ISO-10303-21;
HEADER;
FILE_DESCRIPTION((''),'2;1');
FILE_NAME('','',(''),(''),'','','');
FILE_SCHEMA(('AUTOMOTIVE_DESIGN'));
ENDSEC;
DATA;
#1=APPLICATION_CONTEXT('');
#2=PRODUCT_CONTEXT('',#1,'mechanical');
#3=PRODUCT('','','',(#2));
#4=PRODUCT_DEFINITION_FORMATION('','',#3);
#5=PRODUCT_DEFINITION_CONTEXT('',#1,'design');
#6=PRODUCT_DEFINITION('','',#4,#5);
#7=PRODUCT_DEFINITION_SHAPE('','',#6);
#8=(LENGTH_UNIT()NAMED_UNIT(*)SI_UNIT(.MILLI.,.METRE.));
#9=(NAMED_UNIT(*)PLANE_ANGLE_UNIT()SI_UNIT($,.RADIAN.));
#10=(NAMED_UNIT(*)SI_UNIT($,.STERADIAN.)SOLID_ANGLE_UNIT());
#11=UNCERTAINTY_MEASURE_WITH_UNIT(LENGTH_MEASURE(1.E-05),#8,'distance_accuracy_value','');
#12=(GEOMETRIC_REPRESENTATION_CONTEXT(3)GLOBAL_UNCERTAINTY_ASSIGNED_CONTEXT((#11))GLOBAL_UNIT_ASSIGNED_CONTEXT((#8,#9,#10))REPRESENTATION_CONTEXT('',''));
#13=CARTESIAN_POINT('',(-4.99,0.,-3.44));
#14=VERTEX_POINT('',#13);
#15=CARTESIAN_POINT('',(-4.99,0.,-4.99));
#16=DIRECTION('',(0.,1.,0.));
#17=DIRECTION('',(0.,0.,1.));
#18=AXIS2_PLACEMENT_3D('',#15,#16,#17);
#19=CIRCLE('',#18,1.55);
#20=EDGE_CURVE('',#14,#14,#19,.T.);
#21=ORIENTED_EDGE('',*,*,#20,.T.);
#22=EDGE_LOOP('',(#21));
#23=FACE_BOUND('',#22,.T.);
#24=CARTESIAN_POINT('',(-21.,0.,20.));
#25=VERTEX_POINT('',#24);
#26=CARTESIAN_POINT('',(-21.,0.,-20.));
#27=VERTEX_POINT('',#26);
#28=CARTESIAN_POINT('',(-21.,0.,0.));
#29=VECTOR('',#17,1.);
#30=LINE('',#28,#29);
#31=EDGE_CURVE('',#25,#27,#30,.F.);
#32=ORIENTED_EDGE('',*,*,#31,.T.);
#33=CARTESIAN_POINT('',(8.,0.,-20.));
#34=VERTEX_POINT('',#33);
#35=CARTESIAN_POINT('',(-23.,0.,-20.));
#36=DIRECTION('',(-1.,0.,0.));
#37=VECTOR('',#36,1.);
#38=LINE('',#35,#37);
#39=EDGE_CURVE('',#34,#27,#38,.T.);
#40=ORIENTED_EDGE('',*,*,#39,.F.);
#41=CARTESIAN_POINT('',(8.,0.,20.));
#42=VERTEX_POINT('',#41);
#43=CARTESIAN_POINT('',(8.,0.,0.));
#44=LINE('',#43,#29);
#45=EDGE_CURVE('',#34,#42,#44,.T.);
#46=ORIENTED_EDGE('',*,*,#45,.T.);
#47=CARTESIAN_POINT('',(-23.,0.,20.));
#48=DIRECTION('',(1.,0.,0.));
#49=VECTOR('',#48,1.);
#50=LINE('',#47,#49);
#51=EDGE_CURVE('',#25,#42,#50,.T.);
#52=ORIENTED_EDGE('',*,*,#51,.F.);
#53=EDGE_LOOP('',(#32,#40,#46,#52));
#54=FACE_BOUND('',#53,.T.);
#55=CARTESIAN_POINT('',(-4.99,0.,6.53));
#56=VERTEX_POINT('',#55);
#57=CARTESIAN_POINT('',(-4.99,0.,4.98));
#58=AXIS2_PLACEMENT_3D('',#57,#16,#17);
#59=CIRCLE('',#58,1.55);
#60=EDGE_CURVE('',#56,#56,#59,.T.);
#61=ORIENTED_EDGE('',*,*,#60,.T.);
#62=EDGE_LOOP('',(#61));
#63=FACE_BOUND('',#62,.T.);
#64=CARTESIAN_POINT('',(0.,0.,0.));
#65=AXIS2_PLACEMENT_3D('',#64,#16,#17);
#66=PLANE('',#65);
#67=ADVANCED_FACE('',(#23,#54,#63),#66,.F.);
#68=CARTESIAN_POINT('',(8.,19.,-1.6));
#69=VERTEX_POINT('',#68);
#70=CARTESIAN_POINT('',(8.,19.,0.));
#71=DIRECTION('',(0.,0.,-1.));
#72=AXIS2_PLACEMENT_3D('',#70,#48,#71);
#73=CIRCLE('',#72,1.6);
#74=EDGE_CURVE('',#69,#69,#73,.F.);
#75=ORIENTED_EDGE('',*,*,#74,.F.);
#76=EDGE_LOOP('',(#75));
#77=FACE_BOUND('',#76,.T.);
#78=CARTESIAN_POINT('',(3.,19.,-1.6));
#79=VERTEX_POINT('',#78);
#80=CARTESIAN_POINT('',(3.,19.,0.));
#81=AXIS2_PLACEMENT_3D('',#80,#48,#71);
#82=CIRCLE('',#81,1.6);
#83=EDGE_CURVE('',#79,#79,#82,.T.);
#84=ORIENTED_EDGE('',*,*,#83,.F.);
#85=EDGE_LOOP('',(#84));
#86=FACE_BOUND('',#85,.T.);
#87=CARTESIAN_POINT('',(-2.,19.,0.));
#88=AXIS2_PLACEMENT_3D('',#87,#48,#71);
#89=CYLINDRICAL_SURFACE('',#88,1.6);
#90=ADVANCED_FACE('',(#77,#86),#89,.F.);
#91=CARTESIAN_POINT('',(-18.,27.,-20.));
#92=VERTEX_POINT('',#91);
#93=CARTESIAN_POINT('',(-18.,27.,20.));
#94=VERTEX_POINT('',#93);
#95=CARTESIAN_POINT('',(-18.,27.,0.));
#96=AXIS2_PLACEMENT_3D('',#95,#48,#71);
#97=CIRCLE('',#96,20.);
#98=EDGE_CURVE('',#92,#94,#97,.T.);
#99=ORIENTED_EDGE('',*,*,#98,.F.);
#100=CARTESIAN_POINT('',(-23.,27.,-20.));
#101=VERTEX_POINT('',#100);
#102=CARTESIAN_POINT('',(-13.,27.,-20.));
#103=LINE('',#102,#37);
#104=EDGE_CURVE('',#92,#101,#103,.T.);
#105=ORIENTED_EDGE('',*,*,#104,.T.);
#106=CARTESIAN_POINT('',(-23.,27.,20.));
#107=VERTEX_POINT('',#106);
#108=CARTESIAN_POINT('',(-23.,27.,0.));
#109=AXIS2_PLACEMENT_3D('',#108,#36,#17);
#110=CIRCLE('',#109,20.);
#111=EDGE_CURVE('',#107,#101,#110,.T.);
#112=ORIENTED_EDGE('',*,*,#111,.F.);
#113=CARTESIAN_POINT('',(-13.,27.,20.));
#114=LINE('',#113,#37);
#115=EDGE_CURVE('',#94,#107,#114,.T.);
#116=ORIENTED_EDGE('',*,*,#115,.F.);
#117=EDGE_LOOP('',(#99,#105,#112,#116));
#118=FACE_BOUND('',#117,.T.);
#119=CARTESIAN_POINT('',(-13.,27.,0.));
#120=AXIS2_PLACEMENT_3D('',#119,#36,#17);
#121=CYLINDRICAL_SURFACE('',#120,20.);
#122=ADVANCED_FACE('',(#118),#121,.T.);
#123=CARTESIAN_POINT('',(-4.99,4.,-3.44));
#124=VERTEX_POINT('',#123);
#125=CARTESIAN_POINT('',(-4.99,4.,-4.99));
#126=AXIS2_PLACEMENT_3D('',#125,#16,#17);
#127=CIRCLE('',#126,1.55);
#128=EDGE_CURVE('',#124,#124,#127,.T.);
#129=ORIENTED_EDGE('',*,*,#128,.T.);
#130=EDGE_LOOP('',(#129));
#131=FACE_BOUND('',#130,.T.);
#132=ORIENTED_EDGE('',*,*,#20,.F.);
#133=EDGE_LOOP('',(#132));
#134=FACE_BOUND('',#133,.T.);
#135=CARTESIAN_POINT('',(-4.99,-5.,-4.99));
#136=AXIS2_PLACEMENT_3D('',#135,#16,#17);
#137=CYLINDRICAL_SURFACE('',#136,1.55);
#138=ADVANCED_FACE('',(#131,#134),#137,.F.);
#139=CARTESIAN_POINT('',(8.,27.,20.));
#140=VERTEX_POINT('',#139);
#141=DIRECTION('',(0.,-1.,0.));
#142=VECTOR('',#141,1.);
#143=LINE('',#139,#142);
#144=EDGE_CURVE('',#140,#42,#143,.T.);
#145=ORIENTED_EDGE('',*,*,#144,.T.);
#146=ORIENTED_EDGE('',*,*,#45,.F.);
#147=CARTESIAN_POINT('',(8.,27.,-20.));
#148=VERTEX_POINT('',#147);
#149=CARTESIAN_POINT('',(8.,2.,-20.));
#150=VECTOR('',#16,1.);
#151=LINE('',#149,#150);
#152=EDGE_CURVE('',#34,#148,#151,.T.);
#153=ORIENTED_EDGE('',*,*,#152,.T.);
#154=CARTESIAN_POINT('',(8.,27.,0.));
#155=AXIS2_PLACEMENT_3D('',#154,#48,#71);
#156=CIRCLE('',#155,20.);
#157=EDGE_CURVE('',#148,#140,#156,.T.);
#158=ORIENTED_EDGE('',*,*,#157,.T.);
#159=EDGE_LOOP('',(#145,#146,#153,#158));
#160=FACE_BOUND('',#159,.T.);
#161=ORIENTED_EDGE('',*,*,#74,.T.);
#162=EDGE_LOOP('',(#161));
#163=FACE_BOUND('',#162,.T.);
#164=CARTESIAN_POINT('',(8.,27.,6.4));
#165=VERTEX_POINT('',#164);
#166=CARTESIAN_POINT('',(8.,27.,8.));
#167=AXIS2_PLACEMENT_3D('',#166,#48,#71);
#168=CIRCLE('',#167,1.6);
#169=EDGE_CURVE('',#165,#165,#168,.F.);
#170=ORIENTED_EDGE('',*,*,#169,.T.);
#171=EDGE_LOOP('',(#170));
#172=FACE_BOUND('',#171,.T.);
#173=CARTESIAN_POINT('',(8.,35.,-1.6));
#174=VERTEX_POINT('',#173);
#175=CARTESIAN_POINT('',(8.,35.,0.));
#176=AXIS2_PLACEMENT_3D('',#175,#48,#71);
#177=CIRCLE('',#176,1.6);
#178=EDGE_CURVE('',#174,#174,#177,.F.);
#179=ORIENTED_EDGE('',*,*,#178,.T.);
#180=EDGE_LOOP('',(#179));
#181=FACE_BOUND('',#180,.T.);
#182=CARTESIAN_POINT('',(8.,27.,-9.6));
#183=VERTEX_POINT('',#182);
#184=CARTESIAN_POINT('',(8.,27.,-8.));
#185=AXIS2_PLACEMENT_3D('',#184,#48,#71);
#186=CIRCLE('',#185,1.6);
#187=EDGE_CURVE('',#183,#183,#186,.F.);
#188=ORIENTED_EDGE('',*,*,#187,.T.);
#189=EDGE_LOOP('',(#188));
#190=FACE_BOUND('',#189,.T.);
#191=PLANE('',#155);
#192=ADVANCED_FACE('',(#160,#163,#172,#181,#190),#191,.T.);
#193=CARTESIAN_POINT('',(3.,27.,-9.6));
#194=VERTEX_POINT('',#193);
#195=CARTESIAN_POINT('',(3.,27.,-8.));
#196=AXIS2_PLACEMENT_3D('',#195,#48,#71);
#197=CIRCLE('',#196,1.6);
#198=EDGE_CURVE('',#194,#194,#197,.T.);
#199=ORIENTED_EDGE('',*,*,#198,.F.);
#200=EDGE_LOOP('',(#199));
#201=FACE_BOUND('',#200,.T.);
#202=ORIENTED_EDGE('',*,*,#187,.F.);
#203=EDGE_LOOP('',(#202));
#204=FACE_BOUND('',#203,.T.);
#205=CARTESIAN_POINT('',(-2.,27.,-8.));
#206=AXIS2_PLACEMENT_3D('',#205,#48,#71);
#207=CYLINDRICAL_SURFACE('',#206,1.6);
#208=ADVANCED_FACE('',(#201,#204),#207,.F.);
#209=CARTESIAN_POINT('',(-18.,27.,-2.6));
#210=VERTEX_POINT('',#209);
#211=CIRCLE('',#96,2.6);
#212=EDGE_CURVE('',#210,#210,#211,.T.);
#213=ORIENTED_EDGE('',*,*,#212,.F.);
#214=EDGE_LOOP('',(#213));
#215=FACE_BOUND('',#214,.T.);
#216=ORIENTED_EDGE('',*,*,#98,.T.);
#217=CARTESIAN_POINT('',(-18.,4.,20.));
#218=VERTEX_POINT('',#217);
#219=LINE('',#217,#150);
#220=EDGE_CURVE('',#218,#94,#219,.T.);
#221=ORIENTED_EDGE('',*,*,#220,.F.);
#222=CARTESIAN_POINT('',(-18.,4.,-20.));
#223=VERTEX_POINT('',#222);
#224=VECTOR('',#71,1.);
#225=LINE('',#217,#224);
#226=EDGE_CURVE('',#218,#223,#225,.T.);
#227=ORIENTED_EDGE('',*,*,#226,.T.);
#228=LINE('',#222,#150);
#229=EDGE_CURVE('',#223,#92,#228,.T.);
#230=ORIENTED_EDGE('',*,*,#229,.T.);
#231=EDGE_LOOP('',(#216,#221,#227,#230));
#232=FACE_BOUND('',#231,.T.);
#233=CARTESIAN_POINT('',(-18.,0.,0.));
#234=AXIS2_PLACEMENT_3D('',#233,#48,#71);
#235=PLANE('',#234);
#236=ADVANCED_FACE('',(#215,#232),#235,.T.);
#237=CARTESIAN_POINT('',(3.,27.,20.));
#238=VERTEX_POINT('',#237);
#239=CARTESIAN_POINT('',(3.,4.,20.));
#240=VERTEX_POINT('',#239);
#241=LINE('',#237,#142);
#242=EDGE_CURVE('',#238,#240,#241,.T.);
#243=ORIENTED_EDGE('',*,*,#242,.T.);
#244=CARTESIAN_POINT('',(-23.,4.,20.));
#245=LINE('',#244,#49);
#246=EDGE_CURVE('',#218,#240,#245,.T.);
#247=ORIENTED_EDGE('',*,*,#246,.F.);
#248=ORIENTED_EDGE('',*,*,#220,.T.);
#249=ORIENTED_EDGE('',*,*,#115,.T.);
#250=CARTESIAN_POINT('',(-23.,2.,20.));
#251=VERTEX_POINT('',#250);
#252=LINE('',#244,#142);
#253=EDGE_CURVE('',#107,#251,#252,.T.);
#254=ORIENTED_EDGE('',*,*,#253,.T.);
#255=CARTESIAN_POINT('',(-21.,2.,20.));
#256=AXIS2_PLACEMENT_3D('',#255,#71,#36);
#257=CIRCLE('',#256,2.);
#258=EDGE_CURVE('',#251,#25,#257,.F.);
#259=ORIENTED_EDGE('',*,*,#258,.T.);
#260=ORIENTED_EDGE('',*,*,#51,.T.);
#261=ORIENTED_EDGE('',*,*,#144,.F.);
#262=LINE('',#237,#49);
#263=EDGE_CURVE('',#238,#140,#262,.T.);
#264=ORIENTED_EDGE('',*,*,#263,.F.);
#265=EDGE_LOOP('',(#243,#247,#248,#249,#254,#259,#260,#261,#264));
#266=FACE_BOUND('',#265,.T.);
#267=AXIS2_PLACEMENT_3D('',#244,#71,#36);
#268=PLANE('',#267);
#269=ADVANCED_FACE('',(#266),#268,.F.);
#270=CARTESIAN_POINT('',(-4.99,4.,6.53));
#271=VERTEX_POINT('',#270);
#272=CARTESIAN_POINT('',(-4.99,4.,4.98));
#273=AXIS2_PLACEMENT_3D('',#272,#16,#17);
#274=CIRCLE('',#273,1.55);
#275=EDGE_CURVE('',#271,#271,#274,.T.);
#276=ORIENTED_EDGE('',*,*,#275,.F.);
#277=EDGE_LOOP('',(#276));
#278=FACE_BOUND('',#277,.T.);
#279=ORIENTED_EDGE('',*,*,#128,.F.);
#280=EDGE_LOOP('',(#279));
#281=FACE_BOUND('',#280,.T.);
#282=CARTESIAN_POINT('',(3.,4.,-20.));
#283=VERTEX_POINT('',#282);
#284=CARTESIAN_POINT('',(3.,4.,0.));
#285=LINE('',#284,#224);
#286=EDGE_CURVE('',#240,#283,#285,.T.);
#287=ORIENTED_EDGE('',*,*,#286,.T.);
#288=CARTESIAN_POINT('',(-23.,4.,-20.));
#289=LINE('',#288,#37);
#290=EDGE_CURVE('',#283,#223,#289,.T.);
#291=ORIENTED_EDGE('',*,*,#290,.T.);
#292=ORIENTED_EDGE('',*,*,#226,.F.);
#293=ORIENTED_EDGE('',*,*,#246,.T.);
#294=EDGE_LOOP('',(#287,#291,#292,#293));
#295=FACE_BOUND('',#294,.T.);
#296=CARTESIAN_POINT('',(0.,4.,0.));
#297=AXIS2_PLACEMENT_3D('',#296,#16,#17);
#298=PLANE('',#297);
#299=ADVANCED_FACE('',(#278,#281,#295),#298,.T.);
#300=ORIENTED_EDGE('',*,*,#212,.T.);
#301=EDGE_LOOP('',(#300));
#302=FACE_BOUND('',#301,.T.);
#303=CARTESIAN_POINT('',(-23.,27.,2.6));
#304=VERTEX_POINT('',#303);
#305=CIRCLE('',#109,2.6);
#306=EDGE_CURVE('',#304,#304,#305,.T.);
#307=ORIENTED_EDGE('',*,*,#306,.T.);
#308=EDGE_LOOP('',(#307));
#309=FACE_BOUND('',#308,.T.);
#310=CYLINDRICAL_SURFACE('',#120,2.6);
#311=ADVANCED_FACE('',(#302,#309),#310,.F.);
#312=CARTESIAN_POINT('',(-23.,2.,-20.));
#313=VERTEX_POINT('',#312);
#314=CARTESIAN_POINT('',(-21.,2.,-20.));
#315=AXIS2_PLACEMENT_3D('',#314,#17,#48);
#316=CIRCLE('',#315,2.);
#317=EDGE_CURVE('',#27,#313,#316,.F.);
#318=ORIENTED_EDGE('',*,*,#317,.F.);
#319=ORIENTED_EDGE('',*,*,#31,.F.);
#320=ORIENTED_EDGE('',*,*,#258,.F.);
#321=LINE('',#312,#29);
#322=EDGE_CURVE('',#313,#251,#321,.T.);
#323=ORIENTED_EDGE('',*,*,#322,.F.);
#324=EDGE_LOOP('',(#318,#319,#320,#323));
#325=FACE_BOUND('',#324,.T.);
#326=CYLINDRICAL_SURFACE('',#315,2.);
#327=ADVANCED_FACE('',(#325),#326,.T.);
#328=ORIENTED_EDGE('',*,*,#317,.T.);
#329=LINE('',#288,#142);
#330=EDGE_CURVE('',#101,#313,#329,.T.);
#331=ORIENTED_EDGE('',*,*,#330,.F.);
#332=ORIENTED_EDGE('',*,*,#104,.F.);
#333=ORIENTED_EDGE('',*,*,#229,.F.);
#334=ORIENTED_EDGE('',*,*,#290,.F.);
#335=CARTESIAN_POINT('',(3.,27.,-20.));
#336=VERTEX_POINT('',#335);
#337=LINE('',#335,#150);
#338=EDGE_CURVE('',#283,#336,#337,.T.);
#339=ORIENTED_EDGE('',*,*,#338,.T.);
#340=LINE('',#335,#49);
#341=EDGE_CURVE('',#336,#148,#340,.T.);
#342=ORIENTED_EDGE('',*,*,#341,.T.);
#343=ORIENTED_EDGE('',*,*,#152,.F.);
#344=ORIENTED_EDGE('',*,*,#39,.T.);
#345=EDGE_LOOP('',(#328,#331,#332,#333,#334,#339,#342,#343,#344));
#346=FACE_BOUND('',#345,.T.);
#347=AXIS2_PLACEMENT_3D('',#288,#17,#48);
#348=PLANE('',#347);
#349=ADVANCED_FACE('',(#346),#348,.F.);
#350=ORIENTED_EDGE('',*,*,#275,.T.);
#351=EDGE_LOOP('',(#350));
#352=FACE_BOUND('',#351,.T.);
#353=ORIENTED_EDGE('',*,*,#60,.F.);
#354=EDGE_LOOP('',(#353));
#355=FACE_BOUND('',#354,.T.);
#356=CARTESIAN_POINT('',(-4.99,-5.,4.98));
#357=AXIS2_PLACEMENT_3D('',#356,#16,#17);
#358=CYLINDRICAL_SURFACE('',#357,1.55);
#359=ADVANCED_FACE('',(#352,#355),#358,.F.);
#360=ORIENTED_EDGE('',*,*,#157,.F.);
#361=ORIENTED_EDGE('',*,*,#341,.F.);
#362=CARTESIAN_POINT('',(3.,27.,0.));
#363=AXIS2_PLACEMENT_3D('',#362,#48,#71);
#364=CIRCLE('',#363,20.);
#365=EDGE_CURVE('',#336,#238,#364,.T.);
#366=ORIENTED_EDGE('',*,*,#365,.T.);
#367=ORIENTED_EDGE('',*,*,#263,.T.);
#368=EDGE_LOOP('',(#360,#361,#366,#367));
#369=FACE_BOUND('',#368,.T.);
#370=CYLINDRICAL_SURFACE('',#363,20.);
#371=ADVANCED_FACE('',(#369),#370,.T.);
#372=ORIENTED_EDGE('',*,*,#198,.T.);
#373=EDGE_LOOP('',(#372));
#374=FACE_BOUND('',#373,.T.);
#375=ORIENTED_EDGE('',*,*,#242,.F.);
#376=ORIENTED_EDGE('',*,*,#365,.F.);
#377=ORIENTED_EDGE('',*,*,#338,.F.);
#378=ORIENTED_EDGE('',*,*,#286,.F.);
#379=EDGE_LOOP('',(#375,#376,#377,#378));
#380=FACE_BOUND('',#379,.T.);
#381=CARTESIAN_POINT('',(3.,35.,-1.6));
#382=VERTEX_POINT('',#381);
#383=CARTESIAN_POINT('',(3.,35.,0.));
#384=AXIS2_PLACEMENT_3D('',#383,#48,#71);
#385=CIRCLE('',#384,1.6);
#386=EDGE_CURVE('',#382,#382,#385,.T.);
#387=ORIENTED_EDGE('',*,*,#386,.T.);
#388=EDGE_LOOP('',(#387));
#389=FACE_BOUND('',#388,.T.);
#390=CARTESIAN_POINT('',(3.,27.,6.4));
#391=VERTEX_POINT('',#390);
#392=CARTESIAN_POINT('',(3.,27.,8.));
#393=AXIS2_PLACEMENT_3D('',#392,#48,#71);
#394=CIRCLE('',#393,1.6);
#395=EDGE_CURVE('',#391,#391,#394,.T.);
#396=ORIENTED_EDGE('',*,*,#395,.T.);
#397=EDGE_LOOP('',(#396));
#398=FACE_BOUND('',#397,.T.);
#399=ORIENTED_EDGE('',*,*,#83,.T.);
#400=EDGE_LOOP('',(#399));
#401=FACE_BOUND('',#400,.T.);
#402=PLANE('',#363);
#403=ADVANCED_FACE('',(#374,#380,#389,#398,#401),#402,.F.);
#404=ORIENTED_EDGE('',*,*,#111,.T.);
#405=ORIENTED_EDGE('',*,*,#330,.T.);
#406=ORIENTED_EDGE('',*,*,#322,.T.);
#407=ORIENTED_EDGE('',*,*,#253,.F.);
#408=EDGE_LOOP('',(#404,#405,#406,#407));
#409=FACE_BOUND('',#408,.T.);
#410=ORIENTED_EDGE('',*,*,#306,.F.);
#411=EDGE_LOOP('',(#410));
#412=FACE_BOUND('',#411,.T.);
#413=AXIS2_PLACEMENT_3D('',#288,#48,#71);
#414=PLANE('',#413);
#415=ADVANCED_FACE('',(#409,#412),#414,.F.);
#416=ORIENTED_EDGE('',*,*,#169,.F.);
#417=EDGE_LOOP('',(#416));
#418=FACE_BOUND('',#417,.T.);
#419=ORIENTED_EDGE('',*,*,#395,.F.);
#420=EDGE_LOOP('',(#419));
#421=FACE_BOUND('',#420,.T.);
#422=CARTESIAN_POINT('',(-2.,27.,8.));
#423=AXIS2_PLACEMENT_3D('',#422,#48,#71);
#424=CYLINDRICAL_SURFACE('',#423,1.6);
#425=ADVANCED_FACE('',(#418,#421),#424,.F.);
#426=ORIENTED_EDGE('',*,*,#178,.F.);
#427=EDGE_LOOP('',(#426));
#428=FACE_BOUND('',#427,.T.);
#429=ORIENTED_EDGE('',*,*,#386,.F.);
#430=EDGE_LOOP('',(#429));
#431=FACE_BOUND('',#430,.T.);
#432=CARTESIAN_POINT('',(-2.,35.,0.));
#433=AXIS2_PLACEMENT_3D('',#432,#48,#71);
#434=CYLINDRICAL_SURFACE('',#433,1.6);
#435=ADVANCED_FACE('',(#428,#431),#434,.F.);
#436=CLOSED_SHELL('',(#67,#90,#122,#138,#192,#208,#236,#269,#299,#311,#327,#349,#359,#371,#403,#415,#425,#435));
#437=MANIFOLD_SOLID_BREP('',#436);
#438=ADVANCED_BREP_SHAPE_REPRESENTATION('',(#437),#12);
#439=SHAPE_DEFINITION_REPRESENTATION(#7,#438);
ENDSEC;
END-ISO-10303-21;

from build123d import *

# Parameters (mm, degrees)
SKETCH1_W             = 46
SKETCH1_H             = 40
BOSS_EXTRUDE1_DEPTH   = 4
SKETCH2_W             = 40
SKETCH2_H             = 45
BOSS_EXTRUDE2_DEPTH   = 5
BOSS_EXTRUDE3_DEPTH   = 20
SKETCH6_R             = 2.9
SKETCH6_R_2           = 1.55
SKETCH6_R_3           = 1.4
CUT_EXTRUDE2_DEPTH    = 9
FILLET1_R             = 2
FILLET2_R             = 2
CUT_EXTRUDE4_START    = -10
CUT_EXTRUDE4_DEPTH    = 10
SKETCH12_W            = 5
SKETCH12_H            = 40
CUT_EXTRUDE5_DEPTH    = 45
IZIM1_R               = 1.6
KES_EKSTR_ZYON1_DEPTH = 25
IZIM2_R               = 2.6
KES_EKSTR_ZYON2_DEPTH = 10
CUT_EXTRUDE11_DEPTH   = 15
SKETCH19_W            = 15
SKETCH19_H            = 40
CUT_EXTRUDE12_DEPTH   = 15
SKETCH20_R            = 1.4
SKETCH20_R_2          = 2.9
BOSS_EXTRUDE4_DEPTH   = 4


with BuildPart() as part:
    # Sketch1 → Boss-Extrude1 (new body)
    with BuildSketch(Plane(origin=(0, 0, 0), x_dir=(1, 0, 0), z_dir=(0, 1, 0))):
        Rectangle(SKETCH1_W, SKETCH1_H)
    extrude(amount=BOSS_EXTRUDE1_DEPTH)

    # Sketch2 → Boss-Extrude2 (add)
    with BuildSketch(Plane.ZY.offset(23)):
        with Locations((0, 26.5)):
            Rectangle(SKETCH2_W, SKETCH2_H)
    extrude(amount=-BOSS_EXTRUDE2_DEPTH)

    # Sketch3 → Boss-Extrude3 (add)
    with BuildSketch(Plane(origin=(23, 0, 0), x_dir=(0, 0, -1), z_dir=(1, 0, 0))):
        with BuildLine():
            Line((-20, 27), (-20, 2))
            Line((-20, 2), (20, 2))
            Line((20, 2), (20, 27))
            ThreePointArc((20, 27), (0, 47), (-20, 27))
        make_face()
    extrude(amount=-BOSS_EXTRUDE3_DEPTH)

    # Sketch6 → Cut-Extrude2 (cut)
    with BuildSketch(Plane(origin=(0, 4, 0), x_dir=(1, 0, 0), z_dir=(0, 1, 0))):
        with Locations(Location((0, 0, 0), (0, 0, 270))):
            Circle(SKETCH6_R)
        with Locations(Location((-4.99, 4.99, 0), (0, 0, 270))):
            Circle(SKETCH6_R_2)
        with Locations(Location((4.99, 4.99, 0), (0, 0, 270))):
            Circle(SKETCH6_R_3)
        with Locations(Location((-4.99, -4.98, 0), (0, 0, 270))):
            Circle(SKETCH6_R_2)
        with Locations(Location((4.99, -4.98, 0), (0, 0, 270))):
            Circle(SKETCH6_R_3)
    extrude(amount=-CUT_EXTRUDE2_DEPTH, mode=Mode.SUBTRACT)

    # Fillet1
    fillet1_edges = [part.edges().sort_by_distance(p)[0] for p in [
        (23, 0, 0),
    ]]
    fillet(fillet1_edges, radius=FILLET1_R)

    # Fillet2
    fillet2_edges = [part.edges().sort_by_distance(p)[0] for p in [
        (-23, 0, 0),
    ]]
    fillet(fillet2_edges, radius=FILLET2_R)

    # Sketch11 → Cut-Extrude4 (cut)
    with BuildSketch(Plane.ZY.offset(23).offset(CUT_EXTRUDE4_START)):
        with BuildLine():
            ThreePointArc((0, 47), (14.142135624, 41.142135624), (20, 27))
            Line((20, 27), (20, 47))
            Line((20, 47), (0, 47))
        make_face()
        with BuildLine():
            Line((-20, 47), (-20, 27))
            ThreePointArc((-20, 27), (-14.142135624, 41.142135624), (0, 47))
            Line((0, 47), (-20, 47))
        make_face()
    extrude(amount=CUT_EXTRUDE4_DEPTH, mode=Mode.SUBTRACT)


with BuildPart() as cut_extrude4_piece_1:
    # of the separate pieces the step leaves, piece 1, a body of its own (cut_extrude4_pieces)
    add(part.part.solids().sort_by_distance((-21, 0, -20))[0])

    # Çizim1 → Kes-Ekstrüzyon1 (cut)
    with BuildSketch(Plane(origin=(23, 0, 0), x_dir=(0, 0, -1), z_dir=(1, 0, 0))):
        with Locations((8, 27)):
            Circle(IZIM1_R)
        with Locations((0, 35)):
            Circle(IZIM1_R)
        with Locations((-8, 27)):
            Circle(IZIM1_R)
        with Locations((0, 19)):
            Circle(IZIM1_R)
    extrude(amount=-KES_EKSTR_ZYON1_DEPTH, mode=Mode.SUBTRACT)

    # Çizim2 → Kes-Ekstrüzyon2 (cut)
    with BuildSketch(Plane.ZY.offset(23)):
        with Locations((0, 27)):
            Circle(IZIM2_R)
    extrude(amount=-KES_EKSTR_ZYON2_DEPTH, mode=Mode.SUBTRACT)

    # Sketch18 → Cut-Extrude11 (cut)
    with BuildSketch(Plane(origin=(23, 0, 0), x_dir=(0, 0, -1), z_dir=(1, 0, 0))):
        with BuildLine():
            Line((-20, 27), (-20, 2))
            Line((-20, 2), (20, 2))
            Line((20, 2), (20, 27))
            ThreePointArc((20, 27), (0, 47), (-20, 27))
        make_face()
    extrude(amount=-CUT_EXTRUDE11_DEPTH, mode=Mode.SUBTRACT)

    # Sketch19 → Cut-Extrude12 (cut)
    with BuildSketch(Plane(origin=(0, 2, 0), x_dir=(1, 0, 0), z_dir=(0, 1, 0))):
        with Locations((15.5, 0)):
            Rectangle(SKETCH19_W, SKETCH19_H)
    extrude(amount=-CUT_EXTRUDE12_DEPTH, mode=Mode.SUBTRACT)

    # Sketch20 → Boss-Extrude4 (add)
    with BuildSketch(Plane(origin=(0, 0, 0), x_dir=(-1, 0, 0), z_dir=(0, -1, 0))):
        with Locations((-4.99, -4.98)):
            Circle(SKETCH20_R)
        with Locations((-4.99, 4.99)):
            Circle(SKETCH20_R)
        Circle(SKETCH20_R_2)
    extrude(amount=-BOSS_EXTRUDE4_DEPTH)


with BuildPart() as cut_extrude4_piece_2:
    # of the separate pieces the step leaves, piece 2, a body of its own (cut_extrude4_pieces)
    add(part.part.solids().sort_by_distance((-18, 47, -20))[0])

    # Sketch12 → Cut-Extrude5 (cut)
    with BuildSketch(Plane(origin=(0, 49, 0), x_dir=(1, 0, 0), z_dir=(0, 1, 0))):
        with Locations((-20.5, 0)):
            Rectangle(SKETCH12_W, SKETCH12_H)
    extrude(amount=-CUT_EXTRUDE5_DEPTH, mode=Mode.SUBTRACT)


solid = cut_extrude4_piece_1.part
